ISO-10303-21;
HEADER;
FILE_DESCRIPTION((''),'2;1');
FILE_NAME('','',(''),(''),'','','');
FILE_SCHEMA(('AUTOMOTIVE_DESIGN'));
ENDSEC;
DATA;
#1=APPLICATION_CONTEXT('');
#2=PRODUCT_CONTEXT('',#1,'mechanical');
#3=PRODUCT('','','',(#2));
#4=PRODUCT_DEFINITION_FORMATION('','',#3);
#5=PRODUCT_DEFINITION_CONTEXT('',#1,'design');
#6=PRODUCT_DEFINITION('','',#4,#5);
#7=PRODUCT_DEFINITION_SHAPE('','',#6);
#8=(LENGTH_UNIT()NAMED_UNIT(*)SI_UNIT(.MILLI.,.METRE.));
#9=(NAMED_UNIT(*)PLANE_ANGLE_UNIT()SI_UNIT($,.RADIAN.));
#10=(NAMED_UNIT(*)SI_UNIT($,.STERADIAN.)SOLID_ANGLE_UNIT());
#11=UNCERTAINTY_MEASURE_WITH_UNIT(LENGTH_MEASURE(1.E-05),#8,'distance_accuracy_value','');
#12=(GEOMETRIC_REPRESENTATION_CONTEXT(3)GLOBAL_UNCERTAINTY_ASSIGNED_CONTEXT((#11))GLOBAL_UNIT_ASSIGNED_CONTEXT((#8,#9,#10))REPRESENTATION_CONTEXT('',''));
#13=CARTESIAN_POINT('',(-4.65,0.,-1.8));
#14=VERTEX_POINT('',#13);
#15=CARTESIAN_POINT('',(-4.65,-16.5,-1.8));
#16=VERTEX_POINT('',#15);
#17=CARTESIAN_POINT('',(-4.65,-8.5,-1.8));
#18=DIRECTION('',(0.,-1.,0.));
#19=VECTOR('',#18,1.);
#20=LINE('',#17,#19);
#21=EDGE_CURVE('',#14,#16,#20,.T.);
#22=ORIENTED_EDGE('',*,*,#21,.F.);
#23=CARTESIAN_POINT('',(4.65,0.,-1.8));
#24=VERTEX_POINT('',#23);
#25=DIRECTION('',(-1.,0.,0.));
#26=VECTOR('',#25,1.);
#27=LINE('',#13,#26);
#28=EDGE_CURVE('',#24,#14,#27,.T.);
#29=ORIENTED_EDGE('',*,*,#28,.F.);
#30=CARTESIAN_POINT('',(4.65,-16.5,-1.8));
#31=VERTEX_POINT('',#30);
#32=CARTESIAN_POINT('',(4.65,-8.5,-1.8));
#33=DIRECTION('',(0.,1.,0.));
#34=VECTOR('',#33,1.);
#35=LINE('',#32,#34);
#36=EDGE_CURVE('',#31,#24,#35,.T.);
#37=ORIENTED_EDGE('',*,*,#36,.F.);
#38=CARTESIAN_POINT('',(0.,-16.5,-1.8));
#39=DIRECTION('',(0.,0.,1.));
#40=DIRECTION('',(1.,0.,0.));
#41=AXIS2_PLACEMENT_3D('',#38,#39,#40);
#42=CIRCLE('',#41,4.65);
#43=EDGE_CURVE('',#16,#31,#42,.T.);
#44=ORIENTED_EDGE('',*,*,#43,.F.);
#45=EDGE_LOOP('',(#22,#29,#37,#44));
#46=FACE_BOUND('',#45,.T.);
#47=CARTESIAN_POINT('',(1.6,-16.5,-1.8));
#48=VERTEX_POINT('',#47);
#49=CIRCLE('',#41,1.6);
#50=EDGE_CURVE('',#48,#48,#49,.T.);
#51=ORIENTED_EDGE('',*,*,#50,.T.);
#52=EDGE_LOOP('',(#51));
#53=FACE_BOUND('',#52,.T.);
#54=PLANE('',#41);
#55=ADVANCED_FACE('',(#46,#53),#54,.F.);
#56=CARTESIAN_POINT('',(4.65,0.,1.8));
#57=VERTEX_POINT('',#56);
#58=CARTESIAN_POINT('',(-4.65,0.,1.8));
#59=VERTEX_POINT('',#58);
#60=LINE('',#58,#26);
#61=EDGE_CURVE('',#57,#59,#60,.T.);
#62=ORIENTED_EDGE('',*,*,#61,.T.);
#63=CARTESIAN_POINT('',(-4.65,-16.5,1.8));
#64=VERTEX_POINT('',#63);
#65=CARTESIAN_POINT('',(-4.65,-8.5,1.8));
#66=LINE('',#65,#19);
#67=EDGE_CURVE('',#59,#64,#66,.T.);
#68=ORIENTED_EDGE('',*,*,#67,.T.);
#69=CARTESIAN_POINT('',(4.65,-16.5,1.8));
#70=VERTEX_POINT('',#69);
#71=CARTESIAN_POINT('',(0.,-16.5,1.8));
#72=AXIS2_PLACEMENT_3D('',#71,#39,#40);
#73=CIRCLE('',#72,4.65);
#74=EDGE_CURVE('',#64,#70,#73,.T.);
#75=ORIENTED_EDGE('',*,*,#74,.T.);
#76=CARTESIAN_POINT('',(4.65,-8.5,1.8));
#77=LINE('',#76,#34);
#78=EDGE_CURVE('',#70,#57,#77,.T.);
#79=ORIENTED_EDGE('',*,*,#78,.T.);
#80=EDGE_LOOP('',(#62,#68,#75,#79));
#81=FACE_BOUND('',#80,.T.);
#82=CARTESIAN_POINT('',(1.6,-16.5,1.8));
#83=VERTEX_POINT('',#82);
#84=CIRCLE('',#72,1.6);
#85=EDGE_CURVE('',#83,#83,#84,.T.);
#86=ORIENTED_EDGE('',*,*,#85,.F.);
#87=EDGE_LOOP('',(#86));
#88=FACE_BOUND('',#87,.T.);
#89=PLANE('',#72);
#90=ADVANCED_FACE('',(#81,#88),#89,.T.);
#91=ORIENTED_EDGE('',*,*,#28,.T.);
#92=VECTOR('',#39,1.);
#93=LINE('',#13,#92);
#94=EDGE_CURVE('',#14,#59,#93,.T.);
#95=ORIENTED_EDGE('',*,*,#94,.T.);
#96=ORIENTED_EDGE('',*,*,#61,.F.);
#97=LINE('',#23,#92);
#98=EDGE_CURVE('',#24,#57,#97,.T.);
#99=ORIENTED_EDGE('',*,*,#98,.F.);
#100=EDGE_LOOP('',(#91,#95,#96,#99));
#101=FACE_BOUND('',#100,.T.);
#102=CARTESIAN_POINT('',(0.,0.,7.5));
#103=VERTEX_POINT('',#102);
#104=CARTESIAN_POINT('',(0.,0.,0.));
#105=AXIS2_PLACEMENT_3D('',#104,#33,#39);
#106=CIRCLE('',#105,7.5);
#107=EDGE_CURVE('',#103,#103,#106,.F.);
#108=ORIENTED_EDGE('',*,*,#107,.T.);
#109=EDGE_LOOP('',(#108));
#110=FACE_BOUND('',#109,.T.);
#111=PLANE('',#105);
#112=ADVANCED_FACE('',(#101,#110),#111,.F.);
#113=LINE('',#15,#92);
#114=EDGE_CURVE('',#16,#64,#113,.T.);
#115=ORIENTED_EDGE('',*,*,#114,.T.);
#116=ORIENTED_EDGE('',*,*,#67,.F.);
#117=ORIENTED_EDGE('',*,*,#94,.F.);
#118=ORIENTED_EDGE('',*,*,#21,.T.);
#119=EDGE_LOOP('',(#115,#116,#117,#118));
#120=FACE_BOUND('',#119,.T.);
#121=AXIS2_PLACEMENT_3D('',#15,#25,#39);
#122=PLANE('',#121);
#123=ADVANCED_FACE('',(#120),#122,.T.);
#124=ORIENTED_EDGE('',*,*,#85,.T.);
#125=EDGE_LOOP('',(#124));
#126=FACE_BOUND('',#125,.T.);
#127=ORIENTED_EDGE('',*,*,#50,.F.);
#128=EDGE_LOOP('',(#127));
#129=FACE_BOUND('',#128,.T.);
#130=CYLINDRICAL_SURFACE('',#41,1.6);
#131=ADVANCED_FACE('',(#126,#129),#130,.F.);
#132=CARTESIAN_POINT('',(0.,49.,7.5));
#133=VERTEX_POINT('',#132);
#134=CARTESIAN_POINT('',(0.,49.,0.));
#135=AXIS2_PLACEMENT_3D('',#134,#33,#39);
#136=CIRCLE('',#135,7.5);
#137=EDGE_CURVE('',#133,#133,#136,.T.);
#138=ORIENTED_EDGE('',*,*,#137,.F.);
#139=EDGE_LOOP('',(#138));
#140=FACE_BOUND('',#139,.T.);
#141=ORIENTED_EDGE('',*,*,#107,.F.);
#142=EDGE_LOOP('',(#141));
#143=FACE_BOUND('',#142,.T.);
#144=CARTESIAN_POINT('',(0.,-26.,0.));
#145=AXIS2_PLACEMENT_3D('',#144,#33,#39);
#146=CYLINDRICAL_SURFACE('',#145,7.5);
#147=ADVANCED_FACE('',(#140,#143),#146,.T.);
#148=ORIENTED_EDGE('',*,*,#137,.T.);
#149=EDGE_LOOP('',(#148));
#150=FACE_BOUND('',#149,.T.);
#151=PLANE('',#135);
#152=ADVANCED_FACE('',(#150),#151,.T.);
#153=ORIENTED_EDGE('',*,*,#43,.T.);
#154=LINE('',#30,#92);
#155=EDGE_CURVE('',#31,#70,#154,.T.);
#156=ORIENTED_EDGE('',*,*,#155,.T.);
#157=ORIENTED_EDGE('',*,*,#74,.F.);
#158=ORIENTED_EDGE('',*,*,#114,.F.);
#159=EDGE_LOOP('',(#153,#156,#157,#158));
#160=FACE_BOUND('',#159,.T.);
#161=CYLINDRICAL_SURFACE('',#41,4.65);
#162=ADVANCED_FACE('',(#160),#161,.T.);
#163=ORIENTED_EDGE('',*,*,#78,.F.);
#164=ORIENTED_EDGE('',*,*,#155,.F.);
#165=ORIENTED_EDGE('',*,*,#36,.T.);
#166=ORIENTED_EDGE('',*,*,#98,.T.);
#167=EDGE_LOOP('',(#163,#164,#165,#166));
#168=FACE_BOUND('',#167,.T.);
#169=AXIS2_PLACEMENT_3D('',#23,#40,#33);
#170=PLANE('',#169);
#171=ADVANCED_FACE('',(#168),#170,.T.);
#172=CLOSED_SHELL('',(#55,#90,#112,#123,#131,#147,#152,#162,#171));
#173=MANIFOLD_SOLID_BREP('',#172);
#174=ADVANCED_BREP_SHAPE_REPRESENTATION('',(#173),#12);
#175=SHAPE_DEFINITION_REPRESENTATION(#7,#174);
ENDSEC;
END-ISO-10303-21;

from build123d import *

# Parameters (mm, degrees)
SKETCH_1_R               = 9
EXTRUDE_1_DEPTH          = 52
SKETCH_2_R               = 7.8
EXTRUDE_2_DEPTH          = 12
EXTRUDE_3_DEPTH          = 1.8
EXTRUDE_3_DEPTH_BACK     = 1.8
SKETCH_3_R               = 2.6
EXTRUDE_4_DEPTH          = 1.8
EXTRUDE_4_DEPTH_BACK     = 1.8
SKETCH_4_R               = 1.6
CUT_EXTRUDE_1_DEPTH      = 26
CUT_EXTRUDE_1_DEPTH_BACK = 75
SKETCH_5_R               = 12.444758302
SKETCH_5_R_2             = 7.5
CUT_EXTRUDE_2_DEPTH      = 75
CUT_EXTRUDE_2_DEPTH_BACK = 15
SKETCH_6_R               = 11.570191829


with BuildPart() as part:
    # 草图1 → 凸台-拉伸1 (new body)
    with BuildSketch(Plane(origin=(0, 0, 0), x_dir=(1, 0, 0), z_dir=(0, 1, 0))):
        Circle(SKETCH_1_R)
    extrude(amount=EXTRUDE_1_DEPTH)

    # 草图2 → 凸台-拉伸2 (add)
    with BuildSketch(Plane(origin=(0, 52, 0), x_dir=(1, 0, 0), z_dir=(0, 1, 0))):
        Circle(SKETCH_2_R)
    extrude(amount=EXTRUDE_2_DEPTH)

    # 草图3 → 凸台-拉伸3 (add, two sides: drawn at the far end of the back side and taken through both)
    with BuildSketch(Plane.XY.offset(-EXTRUDE_3_DEPTH_BACK)):
        with BuildLine():
            Line((-4.255, 68.5), (-4.255, 59.5))
            Line((-4.255, 59.5), (4.255, 59.5))
            Line((4.255, 59.5), (4.255, 68.5))
            ThreePointArc((4.255, 68.5), (0, 72.755), (-4.255, 68.5))
        make_face()
        with Locations((0, 68.5)):
            Circle(SKETCH_3_R, mode=Mode.SUBTRACT)
    extrude(amount=EXTRUDE_3_DEPTH + EXTRUDE_3_DEPTH_BACK)

    # 草图4 → 凸台-拉伸4 (add, two sides: drawn at the far end of the back side and taken through both)
    with BuildSketch(Plane.XY.offset(-EXTRUDE_4_DEPTH_BACK)):
        with BuildLine():
            Line((-4.65, -16.5), (-4.65, -8.5))
            Line((-4.65, -8.5), (-4.65, 0))
            Line((-4.65, 0), (4.65, 0))
            Line((4.65, 0), (4.65, -8.5))
            Line((4.65, -8.5), (4.65, -16.5))
            ThreePointArc((4.65, -16.5), (0, -21.15), (-4.65, -16.5))
        make_face()
        with Locations((0, -16.5)):
            Circle(SKETCH_4_R, mode=Mode.SUBTRACT)
    extrude(amount=EXTRUDE_4_DEPTH + EXTRUDE_4_DEPTH_BACK)

    # 草图5 → 切除-拉伸1 (cut, two sides: drawn at the far end of the back side and taken through both)
    with BuildSketch(Plane.XZ.offset(-CUT_EXTRUDE_1_DEPTH_BACK)):
        Circle(SKETCH_5_R)
        Circle(SKETCH_5_R_2, mode=Mode.SUBTRACT)
    extrude(amount=CUT_EXTRUDE_1_DEPTH + CUT_EXTRUDE_1_DEPTH_BACK, mode=Mode.SUBTRACT)

    # 草图6 → 切除-拉伸2 (cut, two sides: drawn at the far end of the back side and taken through both)
    with BuildSketch(Plane(origin=(0, 64, 0), x_dir=(1, 0, 0), z_dir=(0, 1, 0)).offset(-CUT_EXTRUDE_2_DEPTH_BACK)):
        Circle(SKETCH_6_R)
    extrude(amount=CUT_EXTRUDE_2_DEPTH + CUT_EXTRUDE_2_DEPTH_BACK, mode=Mode.SUBTRACT)


solid = part.part
